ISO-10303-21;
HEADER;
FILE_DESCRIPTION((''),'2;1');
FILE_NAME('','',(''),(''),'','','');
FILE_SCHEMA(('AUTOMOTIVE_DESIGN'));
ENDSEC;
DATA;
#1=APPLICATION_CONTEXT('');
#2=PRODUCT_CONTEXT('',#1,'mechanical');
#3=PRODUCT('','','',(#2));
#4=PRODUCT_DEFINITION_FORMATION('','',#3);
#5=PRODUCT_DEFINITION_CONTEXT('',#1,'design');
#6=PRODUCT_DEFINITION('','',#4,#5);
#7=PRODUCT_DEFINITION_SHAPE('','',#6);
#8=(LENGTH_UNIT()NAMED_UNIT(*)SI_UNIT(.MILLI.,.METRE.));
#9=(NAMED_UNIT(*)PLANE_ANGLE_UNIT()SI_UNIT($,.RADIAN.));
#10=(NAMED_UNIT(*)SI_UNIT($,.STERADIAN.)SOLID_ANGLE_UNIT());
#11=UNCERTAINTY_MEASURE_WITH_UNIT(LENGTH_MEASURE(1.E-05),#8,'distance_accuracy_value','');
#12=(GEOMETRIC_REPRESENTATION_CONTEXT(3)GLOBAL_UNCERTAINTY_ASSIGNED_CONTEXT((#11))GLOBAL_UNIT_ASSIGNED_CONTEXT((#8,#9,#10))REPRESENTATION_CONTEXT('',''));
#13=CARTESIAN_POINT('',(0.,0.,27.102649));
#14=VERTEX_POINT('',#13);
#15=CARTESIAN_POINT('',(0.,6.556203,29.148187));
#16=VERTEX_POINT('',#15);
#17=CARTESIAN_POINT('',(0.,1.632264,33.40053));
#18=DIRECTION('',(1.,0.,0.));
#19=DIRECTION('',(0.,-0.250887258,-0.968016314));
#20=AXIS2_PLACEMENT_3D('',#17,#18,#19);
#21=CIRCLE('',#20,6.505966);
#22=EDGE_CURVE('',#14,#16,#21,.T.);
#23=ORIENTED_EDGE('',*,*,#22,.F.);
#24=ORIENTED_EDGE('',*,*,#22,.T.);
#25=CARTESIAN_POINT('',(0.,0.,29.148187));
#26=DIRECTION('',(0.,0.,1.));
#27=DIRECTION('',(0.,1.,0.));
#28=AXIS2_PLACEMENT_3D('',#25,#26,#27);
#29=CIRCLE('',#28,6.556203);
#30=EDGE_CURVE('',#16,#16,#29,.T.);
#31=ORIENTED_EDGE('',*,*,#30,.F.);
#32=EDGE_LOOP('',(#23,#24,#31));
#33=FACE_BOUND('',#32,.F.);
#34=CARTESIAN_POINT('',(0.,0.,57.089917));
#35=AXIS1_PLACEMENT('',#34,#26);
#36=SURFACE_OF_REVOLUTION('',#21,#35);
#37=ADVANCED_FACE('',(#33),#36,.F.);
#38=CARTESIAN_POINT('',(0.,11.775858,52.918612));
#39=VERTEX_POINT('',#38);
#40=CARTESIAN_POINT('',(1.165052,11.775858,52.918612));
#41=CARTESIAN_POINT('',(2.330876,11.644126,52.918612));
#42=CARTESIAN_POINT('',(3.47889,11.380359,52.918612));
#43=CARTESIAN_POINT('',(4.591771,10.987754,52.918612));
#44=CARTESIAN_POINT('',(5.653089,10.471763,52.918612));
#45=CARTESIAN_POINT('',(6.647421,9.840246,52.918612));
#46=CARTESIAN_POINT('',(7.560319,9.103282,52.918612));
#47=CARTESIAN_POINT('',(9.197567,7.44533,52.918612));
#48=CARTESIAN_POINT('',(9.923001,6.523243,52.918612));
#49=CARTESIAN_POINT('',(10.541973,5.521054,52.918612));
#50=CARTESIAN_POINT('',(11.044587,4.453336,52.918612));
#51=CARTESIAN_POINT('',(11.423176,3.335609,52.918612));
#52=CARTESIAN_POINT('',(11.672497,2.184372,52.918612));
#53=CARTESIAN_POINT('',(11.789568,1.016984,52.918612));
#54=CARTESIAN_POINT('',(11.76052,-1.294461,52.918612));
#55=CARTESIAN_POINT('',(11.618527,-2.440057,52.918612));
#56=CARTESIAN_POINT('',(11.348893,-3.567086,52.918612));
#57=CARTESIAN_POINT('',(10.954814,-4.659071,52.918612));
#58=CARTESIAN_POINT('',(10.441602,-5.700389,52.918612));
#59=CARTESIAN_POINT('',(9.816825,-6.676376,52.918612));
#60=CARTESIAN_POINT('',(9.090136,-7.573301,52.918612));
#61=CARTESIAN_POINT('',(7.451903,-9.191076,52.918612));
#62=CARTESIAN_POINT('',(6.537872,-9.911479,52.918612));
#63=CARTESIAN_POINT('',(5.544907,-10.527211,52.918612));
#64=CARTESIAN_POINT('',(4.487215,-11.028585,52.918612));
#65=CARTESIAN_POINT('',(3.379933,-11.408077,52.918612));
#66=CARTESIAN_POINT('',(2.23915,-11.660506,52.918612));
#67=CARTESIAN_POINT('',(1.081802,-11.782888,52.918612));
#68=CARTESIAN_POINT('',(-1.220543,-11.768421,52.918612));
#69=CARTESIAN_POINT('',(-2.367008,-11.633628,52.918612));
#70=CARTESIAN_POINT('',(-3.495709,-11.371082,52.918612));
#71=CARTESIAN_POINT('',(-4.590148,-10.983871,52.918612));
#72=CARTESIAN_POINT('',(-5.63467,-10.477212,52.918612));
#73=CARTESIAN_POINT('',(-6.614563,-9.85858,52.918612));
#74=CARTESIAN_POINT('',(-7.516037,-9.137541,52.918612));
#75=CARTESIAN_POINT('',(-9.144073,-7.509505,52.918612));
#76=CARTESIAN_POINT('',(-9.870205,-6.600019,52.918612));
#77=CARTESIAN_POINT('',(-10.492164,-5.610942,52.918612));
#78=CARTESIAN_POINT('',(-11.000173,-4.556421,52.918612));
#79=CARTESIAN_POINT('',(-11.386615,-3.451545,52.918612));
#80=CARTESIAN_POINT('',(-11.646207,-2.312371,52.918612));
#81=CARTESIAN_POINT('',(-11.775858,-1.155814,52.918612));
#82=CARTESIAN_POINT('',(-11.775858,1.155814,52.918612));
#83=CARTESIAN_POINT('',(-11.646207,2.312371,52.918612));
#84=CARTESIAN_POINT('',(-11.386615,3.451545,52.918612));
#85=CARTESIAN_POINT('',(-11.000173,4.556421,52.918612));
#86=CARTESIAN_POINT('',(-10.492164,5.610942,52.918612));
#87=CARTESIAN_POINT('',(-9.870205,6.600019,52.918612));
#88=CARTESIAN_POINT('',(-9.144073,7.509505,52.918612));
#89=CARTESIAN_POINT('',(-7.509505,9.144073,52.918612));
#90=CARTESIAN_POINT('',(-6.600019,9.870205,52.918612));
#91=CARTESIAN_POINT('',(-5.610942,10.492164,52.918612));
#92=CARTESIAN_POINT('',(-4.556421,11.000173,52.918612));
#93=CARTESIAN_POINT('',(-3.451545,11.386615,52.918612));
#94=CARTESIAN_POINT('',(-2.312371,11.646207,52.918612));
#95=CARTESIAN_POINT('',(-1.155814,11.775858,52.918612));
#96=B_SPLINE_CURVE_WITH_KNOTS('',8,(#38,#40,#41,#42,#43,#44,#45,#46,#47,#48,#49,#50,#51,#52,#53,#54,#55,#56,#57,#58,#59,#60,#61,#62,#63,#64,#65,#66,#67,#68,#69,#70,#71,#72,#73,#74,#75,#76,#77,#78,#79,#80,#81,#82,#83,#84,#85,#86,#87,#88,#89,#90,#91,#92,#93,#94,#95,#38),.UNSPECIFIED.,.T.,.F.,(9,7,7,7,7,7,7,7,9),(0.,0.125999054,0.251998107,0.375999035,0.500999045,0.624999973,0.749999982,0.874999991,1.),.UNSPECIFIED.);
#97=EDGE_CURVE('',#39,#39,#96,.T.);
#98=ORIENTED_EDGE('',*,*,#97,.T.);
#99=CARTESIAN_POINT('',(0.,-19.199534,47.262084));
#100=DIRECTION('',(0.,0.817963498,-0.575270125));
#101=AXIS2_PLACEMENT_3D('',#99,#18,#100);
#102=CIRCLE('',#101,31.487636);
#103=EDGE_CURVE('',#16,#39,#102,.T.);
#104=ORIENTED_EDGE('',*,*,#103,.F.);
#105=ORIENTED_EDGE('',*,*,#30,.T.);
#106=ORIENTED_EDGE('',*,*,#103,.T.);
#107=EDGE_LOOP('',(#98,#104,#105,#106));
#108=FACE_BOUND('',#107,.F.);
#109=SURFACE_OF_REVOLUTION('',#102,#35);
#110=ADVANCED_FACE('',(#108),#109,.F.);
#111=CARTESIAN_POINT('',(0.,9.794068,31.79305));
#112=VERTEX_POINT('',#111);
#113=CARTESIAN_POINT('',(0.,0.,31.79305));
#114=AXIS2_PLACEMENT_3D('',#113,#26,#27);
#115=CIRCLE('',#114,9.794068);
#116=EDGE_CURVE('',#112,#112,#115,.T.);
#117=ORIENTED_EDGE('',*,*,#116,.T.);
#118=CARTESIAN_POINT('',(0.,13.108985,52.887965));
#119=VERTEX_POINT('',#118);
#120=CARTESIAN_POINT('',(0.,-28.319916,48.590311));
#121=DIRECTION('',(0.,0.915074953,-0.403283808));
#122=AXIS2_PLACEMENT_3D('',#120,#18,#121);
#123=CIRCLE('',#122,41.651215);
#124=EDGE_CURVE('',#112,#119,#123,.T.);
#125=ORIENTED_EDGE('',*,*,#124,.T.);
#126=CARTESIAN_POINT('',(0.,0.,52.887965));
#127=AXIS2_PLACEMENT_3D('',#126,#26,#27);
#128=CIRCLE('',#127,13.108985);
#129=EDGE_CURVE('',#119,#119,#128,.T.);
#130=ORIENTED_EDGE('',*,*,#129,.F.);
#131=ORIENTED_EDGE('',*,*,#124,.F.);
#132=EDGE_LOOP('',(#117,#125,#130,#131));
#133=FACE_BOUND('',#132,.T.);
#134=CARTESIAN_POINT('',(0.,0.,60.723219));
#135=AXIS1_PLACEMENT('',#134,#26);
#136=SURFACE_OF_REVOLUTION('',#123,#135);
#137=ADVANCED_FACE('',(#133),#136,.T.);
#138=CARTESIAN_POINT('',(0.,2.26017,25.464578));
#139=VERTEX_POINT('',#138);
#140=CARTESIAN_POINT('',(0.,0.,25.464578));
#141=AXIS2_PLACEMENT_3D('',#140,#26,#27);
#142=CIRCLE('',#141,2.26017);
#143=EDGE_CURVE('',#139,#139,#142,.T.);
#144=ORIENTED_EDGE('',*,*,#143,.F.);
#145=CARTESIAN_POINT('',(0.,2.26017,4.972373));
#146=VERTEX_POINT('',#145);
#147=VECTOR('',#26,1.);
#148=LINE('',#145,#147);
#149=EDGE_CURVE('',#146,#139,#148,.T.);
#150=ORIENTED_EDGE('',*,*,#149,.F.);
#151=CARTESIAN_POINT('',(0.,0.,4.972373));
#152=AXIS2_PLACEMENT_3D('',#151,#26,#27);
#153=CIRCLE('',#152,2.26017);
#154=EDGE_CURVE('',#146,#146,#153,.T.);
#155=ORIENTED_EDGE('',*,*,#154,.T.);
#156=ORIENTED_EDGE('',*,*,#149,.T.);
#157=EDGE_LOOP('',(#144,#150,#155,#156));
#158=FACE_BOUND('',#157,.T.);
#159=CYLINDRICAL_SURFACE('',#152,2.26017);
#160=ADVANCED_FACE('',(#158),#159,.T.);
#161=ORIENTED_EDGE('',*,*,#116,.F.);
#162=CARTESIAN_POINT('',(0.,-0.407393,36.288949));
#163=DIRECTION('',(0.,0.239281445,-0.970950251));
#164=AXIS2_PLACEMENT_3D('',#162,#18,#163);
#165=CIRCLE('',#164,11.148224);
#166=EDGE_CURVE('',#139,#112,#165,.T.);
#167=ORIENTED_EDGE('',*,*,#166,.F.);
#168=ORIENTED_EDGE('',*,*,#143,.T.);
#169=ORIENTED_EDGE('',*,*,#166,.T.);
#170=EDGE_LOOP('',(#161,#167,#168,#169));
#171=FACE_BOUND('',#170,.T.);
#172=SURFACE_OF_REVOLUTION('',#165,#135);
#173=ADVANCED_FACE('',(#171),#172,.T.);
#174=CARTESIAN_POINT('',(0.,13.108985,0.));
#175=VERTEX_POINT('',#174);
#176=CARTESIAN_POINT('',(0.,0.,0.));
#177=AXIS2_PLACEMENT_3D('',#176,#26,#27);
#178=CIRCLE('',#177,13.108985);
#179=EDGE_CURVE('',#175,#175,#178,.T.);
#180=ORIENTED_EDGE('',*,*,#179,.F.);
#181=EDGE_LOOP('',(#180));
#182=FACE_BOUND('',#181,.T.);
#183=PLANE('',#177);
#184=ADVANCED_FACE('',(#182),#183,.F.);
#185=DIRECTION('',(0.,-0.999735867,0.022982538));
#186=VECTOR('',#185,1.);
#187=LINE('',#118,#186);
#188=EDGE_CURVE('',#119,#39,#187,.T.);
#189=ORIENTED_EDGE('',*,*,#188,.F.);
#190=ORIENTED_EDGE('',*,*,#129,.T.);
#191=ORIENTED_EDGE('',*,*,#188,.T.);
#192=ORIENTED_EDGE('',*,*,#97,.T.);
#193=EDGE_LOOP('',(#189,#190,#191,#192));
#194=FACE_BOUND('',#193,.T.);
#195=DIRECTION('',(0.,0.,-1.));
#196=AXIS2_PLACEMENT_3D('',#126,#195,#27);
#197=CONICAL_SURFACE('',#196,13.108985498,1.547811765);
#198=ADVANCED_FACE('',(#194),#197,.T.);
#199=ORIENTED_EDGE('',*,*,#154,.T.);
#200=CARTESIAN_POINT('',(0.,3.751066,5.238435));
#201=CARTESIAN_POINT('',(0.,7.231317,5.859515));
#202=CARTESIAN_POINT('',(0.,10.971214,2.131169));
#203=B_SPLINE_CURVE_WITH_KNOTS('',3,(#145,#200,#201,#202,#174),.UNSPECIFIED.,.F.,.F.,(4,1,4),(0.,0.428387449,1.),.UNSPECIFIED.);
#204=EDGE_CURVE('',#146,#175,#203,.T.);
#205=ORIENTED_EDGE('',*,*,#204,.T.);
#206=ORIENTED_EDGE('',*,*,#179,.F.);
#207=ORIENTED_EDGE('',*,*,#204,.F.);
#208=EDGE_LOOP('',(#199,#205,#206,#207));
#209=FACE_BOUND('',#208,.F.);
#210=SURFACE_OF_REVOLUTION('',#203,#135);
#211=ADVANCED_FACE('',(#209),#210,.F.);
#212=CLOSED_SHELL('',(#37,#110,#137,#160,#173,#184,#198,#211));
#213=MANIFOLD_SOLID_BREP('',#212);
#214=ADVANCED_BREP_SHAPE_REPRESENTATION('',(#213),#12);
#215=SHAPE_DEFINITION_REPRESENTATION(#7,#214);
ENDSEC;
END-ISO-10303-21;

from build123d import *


with BuildPart() as f2:
    # F0 (on Right) → F2 (revolve)
    with BuildSketch(Plane.YZ):
        with BuildLine():
            ThreePointArc((2.2601699457, 25.4645776004), (6.763055625, 27.752698569), (9.7940675914, 31.793050468))
            ThreePointArc((9.7940675914, 31.793050468), (12.8263656852, 42.1244613999), (13.1089854985, 52.8879649937))
            Line((13.1089854985, 52.8879649937), (0, 53.1893223524))
            Line((0, 53.1893223524), (0, 0))
            Line((0, 0), (13.1089854985, 0))
            add(Edge.make_bspline(
                [(2.2601699457, 4.9723726697), (3.7510657861, 5.2384354603), (7.2313167661, 5.8595152584), (10.9712135556, 2.1311693273), (13.1089854985, 0)],
                knots=[0, 0, 0, 0, 0.4283874494, 1, 1, 1, 1], degree=3))
            Line((2.2601699457, 4.9723726697), (2.2601699457, 25.4645776004))
        make_face()
    revolve(axis=Axis((0, 0, 60.7232190669), (0, 0, 1)))

    # F1 (on Right) → F3 (revolve, cut)
    with BuildSketch(Plane.YZ):
        with BuildLine():
            Line((11.6035659592, 53.7920333445), (0, 53.7920333445))
            Line((0, 53.7920333445), (0, 27.1026492119))
            ThreePointArc((0, 27.1026492119), (3.5700042274, 27.1898335302), (6.5562026575, 29.1481874883))
            ThreePointArc((6.5562026575, 29.1481874883), (11.6477557212, 40.9441787088), (11.6035659592, 53.7920333445))
        make_face()
    revolve(axis=Axis((0, 0, 57.0899173617), (0, 0, 1)), mode=Mode.SUBTRACT)


solid = f2.part
